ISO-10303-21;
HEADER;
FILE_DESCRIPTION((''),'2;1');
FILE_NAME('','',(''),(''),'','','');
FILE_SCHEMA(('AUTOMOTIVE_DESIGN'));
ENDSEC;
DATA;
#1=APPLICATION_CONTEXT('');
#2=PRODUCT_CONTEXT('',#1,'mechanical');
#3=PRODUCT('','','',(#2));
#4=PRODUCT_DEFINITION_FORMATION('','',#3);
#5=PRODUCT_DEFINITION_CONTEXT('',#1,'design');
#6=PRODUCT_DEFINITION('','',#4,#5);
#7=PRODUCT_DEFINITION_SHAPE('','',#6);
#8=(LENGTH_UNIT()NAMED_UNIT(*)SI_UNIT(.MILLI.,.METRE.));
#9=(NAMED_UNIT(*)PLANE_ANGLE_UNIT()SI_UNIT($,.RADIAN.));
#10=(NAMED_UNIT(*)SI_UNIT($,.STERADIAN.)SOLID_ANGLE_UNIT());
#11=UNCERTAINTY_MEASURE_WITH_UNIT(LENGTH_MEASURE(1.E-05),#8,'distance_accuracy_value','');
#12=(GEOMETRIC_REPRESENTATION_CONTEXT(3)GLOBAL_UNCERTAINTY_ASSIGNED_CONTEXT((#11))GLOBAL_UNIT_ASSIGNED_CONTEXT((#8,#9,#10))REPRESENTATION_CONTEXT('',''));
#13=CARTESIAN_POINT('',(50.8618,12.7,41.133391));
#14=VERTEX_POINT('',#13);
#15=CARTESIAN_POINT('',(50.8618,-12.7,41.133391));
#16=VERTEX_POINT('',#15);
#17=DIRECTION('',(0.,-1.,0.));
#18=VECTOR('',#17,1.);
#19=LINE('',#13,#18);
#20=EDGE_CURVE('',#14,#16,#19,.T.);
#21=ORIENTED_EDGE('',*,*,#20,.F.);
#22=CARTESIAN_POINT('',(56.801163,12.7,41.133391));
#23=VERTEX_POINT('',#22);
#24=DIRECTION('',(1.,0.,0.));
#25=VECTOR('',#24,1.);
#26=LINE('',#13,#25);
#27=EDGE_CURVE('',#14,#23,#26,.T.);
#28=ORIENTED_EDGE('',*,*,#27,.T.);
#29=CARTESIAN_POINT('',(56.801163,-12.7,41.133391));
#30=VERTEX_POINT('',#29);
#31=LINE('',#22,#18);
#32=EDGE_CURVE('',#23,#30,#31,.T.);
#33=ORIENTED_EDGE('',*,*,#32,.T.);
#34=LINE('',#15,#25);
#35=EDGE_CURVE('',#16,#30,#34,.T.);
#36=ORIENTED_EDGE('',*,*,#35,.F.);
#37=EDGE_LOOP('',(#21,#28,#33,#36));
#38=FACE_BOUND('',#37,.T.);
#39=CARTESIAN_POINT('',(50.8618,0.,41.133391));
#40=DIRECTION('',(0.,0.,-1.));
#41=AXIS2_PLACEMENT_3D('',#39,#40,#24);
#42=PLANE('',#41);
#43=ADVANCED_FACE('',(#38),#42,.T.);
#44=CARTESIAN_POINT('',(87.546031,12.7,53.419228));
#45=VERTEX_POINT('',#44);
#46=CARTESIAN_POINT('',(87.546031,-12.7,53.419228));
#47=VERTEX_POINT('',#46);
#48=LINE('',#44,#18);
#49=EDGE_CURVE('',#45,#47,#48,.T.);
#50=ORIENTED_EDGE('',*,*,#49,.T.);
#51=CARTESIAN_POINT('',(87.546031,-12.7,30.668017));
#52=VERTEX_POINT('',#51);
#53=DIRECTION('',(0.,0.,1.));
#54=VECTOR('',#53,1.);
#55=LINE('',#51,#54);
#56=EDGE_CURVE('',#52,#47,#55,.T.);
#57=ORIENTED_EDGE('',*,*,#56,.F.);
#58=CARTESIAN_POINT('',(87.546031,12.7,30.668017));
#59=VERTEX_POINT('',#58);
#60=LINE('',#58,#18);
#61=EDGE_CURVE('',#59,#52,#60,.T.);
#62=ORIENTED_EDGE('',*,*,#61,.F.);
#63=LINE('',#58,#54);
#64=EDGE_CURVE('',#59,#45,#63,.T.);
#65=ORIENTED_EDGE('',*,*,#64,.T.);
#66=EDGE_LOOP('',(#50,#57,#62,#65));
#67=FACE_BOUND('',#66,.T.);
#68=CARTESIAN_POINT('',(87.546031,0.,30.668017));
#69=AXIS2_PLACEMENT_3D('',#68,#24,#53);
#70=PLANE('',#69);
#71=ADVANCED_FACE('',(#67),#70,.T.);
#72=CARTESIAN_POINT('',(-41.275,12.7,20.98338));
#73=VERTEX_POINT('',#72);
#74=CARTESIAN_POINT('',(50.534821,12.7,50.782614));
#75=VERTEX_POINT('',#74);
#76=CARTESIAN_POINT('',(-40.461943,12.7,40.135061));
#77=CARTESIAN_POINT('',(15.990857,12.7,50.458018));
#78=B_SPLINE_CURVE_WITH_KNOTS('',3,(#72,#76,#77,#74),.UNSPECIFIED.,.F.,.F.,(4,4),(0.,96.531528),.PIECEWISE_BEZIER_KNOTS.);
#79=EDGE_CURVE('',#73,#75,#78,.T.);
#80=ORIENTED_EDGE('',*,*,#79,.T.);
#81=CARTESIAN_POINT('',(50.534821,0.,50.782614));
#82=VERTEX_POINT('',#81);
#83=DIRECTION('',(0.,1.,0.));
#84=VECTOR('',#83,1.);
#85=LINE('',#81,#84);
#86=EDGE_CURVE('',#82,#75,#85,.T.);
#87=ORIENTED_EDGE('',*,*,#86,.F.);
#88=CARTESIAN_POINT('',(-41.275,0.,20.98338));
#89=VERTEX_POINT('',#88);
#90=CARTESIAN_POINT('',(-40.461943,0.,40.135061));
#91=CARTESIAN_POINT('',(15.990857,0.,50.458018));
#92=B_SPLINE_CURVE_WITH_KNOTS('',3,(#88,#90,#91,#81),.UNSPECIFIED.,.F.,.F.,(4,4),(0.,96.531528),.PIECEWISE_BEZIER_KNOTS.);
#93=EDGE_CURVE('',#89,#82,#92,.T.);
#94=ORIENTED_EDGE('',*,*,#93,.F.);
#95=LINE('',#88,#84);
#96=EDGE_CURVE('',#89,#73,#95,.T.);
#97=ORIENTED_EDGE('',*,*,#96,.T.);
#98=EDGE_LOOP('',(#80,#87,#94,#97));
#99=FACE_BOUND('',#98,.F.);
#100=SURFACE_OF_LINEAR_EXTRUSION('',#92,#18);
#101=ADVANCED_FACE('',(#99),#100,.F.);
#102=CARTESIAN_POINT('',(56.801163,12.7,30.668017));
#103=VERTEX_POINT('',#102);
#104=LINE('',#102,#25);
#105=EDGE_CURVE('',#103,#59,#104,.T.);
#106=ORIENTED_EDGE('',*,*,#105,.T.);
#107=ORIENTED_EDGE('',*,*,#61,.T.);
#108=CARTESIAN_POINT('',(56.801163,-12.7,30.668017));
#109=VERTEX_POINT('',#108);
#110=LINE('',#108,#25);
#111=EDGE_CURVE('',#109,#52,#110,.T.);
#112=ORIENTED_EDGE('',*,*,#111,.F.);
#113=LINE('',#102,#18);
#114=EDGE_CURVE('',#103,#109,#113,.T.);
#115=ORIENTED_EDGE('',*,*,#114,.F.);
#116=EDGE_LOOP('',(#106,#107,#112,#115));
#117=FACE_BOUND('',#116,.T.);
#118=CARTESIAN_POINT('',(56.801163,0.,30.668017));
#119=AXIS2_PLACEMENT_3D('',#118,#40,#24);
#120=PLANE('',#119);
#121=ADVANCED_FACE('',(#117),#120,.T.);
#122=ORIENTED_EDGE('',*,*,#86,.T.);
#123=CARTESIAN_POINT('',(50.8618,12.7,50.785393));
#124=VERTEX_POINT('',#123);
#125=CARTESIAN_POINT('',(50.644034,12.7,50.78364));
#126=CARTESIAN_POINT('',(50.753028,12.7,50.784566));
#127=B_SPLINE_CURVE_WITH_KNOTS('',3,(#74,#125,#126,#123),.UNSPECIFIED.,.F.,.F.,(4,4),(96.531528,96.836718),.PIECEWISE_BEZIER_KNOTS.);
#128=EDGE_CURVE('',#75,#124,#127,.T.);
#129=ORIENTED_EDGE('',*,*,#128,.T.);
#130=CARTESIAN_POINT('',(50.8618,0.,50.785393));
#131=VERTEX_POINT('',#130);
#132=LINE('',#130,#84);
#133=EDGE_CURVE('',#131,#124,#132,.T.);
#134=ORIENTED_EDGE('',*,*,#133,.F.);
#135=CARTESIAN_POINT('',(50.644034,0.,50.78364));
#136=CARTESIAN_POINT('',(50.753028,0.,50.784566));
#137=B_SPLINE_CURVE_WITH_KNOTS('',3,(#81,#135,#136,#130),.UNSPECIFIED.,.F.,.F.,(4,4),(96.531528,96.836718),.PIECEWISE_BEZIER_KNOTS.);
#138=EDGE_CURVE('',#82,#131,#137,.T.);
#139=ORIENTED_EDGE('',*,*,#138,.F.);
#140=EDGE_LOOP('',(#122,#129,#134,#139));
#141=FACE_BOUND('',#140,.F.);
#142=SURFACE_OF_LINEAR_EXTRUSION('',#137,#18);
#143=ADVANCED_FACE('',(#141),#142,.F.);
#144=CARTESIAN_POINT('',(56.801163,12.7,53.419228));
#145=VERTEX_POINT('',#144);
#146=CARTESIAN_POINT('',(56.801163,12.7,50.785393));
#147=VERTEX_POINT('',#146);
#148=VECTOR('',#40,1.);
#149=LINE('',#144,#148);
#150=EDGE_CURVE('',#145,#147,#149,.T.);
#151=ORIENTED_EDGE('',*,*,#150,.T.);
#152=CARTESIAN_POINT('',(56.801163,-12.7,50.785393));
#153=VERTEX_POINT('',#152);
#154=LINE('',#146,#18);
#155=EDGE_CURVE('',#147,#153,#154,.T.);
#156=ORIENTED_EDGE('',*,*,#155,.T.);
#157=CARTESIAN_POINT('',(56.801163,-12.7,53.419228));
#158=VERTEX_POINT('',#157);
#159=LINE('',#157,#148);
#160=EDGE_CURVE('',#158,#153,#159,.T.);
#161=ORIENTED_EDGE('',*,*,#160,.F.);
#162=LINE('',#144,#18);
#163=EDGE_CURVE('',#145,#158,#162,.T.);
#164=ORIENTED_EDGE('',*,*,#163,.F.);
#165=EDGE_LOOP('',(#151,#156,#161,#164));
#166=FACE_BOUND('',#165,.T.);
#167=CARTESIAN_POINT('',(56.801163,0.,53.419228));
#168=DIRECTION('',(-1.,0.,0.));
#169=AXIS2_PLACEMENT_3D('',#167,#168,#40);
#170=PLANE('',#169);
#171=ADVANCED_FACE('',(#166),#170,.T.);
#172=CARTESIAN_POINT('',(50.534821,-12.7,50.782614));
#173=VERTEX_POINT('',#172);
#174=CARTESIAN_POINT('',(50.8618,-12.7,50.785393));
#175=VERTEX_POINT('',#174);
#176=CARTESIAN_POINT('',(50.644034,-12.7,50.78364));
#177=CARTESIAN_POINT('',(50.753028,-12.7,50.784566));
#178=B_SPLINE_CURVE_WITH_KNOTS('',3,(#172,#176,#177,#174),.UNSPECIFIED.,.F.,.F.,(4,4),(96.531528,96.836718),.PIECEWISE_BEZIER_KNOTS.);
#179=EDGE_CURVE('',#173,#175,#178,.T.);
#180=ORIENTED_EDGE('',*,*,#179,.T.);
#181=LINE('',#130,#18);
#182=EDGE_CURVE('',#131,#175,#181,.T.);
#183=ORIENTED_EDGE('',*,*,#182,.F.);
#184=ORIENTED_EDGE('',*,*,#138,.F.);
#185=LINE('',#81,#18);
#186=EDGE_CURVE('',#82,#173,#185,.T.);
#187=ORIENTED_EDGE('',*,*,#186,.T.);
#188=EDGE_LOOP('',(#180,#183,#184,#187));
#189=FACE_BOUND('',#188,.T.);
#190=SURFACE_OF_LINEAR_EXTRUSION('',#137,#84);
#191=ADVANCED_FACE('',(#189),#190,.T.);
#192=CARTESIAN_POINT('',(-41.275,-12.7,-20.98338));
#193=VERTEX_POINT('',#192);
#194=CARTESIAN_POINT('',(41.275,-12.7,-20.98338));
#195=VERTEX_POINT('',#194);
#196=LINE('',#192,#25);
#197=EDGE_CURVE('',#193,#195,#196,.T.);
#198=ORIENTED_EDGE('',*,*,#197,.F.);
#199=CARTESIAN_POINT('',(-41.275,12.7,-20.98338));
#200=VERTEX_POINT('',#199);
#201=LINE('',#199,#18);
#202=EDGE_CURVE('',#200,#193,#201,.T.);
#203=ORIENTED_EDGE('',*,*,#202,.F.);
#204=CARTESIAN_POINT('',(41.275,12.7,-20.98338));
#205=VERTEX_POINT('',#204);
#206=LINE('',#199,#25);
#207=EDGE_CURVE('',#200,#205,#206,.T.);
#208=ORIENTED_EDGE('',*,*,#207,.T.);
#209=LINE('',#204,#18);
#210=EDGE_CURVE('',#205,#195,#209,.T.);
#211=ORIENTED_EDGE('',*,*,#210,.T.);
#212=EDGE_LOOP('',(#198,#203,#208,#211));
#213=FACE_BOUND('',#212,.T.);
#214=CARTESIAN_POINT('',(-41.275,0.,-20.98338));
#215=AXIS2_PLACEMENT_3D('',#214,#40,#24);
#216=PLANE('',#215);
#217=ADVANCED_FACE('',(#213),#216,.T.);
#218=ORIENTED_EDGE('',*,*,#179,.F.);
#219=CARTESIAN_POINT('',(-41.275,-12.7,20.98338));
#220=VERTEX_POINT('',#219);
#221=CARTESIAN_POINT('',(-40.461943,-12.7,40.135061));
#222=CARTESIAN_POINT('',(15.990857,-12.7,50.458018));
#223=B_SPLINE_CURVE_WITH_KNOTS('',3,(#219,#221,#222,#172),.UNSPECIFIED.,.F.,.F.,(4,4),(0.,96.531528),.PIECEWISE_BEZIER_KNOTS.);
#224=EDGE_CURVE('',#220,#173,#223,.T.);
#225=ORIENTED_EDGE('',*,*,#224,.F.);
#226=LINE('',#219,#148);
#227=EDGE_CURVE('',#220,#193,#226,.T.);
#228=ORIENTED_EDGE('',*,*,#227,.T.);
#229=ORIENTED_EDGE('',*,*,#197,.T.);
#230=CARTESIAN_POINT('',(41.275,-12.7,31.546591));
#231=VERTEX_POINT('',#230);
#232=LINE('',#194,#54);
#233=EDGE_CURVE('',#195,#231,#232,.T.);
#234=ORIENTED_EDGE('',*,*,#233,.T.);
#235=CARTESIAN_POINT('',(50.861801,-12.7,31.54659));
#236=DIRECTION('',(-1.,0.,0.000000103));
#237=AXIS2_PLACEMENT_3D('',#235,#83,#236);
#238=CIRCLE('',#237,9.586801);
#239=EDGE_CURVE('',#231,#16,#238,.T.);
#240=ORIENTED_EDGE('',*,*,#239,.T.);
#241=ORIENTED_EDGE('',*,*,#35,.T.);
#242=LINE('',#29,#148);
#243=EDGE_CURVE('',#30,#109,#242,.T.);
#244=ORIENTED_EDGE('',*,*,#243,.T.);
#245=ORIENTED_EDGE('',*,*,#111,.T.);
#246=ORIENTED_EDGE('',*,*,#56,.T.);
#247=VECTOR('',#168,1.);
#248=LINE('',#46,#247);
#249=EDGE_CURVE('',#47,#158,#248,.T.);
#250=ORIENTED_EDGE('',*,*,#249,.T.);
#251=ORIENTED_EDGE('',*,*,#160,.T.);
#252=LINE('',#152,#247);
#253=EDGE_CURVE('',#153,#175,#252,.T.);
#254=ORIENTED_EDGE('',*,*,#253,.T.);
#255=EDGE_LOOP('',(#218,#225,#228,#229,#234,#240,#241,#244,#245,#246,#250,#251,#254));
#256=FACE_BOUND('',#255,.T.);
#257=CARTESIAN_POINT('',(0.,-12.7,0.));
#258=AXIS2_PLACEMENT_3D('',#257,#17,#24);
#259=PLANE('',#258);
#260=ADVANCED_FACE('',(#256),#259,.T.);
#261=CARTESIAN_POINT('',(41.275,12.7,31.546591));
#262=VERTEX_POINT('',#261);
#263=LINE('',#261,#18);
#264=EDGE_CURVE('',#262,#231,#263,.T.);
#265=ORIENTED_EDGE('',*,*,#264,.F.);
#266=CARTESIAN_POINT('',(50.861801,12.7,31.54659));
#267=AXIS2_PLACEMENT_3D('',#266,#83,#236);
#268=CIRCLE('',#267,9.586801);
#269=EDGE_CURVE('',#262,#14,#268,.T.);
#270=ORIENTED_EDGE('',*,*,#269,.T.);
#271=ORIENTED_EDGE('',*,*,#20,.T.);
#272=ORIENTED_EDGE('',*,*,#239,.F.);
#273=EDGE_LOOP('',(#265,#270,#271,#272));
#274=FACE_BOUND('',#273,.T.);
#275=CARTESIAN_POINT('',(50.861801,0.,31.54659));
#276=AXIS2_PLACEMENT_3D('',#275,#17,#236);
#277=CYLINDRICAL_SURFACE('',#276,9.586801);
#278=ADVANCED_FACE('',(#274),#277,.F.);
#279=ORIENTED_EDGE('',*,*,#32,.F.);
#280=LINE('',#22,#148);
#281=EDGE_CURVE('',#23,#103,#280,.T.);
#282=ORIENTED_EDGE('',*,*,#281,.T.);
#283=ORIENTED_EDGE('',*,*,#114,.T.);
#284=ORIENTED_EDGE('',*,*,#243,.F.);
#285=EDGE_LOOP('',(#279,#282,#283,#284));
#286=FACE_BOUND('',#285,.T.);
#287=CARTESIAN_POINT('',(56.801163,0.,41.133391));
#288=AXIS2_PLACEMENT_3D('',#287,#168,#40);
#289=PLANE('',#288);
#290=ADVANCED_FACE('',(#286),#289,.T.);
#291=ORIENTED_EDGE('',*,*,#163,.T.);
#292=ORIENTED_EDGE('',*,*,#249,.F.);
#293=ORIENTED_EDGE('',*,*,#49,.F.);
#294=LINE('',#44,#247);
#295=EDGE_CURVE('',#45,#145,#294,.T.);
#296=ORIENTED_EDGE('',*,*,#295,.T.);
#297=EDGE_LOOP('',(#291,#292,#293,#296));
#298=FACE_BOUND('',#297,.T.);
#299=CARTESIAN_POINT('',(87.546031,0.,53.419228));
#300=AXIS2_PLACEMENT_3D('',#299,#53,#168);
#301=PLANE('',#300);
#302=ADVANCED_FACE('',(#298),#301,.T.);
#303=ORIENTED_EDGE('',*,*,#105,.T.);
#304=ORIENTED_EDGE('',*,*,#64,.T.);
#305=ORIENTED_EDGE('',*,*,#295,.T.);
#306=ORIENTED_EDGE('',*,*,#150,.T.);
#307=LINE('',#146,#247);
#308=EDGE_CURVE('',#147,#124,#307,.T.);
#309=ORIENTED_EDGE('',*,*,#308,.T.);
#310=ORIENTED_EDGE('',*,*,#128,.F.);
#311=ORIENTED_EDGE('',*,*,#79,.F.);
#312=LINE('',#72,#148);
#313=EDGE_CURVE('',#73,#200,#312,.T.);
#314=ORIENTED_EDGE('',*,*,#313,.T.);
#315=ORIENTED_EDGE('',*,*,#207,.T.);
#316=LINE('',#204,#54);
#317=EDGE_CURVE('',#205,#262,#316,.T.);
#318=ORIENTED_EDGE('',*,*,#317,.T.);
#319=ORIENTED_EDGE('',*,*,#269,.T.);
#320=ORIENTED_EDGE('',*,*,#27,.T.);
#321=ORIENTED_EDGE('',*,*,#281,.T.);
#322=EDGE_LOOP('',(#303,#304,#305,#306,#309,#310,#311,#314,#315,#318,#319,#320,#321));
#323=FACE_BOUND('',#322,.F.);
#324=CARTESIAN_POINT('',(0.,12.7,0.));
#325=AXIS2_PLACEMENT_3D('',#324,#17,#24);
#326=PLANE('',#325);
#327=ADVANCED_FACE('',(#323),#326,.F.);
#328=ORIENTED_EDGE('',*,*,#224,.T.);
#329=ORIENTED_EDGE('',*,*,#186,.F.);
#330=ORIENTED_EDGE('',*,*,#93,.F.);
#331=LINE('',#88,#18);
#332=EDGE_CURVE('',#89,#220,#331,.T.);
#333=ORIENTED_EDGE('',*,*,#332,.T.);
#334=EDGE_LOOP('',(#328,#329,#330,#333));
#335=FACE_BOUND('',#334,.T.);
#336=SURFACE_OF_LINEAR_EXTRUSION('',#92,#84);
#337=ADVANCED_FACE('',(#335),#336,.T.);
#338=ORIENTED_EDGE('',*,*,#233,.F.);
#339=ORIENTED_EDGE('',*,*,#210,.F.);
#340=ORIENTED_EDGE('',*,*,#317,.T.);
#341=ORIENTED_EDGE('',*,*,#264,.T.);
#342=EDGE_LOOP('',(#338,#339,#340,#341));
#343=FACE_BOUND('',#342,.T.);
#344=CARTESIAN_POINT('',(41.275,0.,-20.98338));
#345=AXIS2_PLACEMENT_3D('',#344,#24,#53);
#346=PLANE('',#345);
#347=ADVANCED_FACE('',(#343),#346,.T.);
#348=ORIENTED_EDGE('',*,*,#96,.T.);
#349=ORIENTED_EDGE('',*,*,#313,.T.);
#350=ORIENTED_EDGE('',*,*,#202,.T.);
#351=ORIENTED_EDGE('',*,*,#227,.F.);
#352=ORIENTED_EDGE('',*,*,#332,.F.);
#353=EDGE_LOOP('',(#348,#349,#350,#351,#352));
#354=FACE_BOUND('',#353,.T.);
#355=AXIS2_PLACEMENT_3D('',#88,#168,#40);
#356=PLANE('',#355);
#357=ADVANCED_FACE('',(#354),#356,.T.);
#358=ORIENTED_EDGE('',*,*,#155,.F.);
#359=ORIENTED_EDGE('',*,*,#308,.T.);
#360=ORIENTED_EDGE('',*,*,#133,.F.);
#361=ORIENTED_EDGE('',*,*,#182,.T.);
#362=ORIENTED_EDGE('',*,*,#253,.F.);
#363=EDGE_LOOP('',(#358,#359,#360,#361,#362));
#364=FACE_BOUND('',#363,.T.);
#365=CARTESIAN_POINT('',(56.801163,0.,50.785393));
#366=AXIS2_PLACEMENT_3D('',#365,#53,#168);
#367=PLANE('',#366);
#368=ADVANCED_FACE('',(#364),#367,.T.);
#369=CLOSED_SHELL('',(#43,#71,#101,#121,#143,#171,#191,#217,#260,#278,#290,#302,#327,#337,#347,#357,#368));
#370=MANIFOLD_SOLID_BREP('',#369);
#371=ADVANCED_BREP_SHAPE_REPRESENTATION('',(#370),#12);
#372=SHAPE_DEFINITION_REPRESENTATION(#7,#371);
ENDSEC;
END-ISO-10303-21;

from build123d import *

# Parameters (mm, degrees)
F1_DEPTH = 12.7


with BuildPart() as f1:
    # F0 (on Front) → F1 (new body, symmetric)
    with BuildSketch(Plane.XZ):
        Polygon((31.622999, 20.98338), (-41.275, 20.98338), (-41.275, -20.98338), (41.275, -20.98338), (41.275, 20.98338), align=None)
        with BuildLine():
            add(Edge.make_bspline(
                [(-41.275, 20.98338), (-40.461943, 40.135061), (15.990857, 50.458018), (50.534821, 50.782614)],
                knots=[0, 0, 0, 0, 96.531528, 96.531528, 96.531528, 96.531528], degree=3))
            Line((-41.275, 20.98338), (31.622999, 20.98338))
            Line((31.622999, 20.98338), (31.622999, 31.546591))
            ThreePointArc((31.622999, 31.546591), (37.142796, 45.034378), (50.534821, 50.782614))
        make_face()
        with BuildLine():
            Line((31.622999, 31.546591), (31.622999, 20.98338))
            Line((31.622999, 20.98338), (41.275, 20.98338))
            Line((41.275, 20.98338), (41.275, 31.546591))
            ThreePointArc((41.275, 31.546591), (44.082909, 38.325482), (50.8618, 41.133391))
            Line((50.8618, 41.133391), (56.801163, 41.133391))
            Line((56.801163, 41.133391), (56.801163, 50.785393))
            Line((56.801163, 50.785393), (50.8618, 50.785393))
            add(Edge.make_bspline(
                [(50.534821, 50.782614), (50.644034, 50.78364), (50.753028, 50.784566), (50.8618, 50.785393)],
                knots=[96.531528, 96.531528, 96.531528, 96.531528, 96.836718, 96.836718, 96.836718, 96.836718], degree=3))
            ThreePointArc((50.534821, 50.782614), (37.142796, 45.034378), (31.622999, 31.546591))
        make_face()
        Polygon((56.801163, 53.419228), (56.801163, 50.785393), (56.801163, 41.133391), (56.801163, 30.668017), (87.546031, 30.668017), (87.546031, 53.419228), align=None)
    extrude(amount=F1_DEPTH, both=True)


solid = f1.part
